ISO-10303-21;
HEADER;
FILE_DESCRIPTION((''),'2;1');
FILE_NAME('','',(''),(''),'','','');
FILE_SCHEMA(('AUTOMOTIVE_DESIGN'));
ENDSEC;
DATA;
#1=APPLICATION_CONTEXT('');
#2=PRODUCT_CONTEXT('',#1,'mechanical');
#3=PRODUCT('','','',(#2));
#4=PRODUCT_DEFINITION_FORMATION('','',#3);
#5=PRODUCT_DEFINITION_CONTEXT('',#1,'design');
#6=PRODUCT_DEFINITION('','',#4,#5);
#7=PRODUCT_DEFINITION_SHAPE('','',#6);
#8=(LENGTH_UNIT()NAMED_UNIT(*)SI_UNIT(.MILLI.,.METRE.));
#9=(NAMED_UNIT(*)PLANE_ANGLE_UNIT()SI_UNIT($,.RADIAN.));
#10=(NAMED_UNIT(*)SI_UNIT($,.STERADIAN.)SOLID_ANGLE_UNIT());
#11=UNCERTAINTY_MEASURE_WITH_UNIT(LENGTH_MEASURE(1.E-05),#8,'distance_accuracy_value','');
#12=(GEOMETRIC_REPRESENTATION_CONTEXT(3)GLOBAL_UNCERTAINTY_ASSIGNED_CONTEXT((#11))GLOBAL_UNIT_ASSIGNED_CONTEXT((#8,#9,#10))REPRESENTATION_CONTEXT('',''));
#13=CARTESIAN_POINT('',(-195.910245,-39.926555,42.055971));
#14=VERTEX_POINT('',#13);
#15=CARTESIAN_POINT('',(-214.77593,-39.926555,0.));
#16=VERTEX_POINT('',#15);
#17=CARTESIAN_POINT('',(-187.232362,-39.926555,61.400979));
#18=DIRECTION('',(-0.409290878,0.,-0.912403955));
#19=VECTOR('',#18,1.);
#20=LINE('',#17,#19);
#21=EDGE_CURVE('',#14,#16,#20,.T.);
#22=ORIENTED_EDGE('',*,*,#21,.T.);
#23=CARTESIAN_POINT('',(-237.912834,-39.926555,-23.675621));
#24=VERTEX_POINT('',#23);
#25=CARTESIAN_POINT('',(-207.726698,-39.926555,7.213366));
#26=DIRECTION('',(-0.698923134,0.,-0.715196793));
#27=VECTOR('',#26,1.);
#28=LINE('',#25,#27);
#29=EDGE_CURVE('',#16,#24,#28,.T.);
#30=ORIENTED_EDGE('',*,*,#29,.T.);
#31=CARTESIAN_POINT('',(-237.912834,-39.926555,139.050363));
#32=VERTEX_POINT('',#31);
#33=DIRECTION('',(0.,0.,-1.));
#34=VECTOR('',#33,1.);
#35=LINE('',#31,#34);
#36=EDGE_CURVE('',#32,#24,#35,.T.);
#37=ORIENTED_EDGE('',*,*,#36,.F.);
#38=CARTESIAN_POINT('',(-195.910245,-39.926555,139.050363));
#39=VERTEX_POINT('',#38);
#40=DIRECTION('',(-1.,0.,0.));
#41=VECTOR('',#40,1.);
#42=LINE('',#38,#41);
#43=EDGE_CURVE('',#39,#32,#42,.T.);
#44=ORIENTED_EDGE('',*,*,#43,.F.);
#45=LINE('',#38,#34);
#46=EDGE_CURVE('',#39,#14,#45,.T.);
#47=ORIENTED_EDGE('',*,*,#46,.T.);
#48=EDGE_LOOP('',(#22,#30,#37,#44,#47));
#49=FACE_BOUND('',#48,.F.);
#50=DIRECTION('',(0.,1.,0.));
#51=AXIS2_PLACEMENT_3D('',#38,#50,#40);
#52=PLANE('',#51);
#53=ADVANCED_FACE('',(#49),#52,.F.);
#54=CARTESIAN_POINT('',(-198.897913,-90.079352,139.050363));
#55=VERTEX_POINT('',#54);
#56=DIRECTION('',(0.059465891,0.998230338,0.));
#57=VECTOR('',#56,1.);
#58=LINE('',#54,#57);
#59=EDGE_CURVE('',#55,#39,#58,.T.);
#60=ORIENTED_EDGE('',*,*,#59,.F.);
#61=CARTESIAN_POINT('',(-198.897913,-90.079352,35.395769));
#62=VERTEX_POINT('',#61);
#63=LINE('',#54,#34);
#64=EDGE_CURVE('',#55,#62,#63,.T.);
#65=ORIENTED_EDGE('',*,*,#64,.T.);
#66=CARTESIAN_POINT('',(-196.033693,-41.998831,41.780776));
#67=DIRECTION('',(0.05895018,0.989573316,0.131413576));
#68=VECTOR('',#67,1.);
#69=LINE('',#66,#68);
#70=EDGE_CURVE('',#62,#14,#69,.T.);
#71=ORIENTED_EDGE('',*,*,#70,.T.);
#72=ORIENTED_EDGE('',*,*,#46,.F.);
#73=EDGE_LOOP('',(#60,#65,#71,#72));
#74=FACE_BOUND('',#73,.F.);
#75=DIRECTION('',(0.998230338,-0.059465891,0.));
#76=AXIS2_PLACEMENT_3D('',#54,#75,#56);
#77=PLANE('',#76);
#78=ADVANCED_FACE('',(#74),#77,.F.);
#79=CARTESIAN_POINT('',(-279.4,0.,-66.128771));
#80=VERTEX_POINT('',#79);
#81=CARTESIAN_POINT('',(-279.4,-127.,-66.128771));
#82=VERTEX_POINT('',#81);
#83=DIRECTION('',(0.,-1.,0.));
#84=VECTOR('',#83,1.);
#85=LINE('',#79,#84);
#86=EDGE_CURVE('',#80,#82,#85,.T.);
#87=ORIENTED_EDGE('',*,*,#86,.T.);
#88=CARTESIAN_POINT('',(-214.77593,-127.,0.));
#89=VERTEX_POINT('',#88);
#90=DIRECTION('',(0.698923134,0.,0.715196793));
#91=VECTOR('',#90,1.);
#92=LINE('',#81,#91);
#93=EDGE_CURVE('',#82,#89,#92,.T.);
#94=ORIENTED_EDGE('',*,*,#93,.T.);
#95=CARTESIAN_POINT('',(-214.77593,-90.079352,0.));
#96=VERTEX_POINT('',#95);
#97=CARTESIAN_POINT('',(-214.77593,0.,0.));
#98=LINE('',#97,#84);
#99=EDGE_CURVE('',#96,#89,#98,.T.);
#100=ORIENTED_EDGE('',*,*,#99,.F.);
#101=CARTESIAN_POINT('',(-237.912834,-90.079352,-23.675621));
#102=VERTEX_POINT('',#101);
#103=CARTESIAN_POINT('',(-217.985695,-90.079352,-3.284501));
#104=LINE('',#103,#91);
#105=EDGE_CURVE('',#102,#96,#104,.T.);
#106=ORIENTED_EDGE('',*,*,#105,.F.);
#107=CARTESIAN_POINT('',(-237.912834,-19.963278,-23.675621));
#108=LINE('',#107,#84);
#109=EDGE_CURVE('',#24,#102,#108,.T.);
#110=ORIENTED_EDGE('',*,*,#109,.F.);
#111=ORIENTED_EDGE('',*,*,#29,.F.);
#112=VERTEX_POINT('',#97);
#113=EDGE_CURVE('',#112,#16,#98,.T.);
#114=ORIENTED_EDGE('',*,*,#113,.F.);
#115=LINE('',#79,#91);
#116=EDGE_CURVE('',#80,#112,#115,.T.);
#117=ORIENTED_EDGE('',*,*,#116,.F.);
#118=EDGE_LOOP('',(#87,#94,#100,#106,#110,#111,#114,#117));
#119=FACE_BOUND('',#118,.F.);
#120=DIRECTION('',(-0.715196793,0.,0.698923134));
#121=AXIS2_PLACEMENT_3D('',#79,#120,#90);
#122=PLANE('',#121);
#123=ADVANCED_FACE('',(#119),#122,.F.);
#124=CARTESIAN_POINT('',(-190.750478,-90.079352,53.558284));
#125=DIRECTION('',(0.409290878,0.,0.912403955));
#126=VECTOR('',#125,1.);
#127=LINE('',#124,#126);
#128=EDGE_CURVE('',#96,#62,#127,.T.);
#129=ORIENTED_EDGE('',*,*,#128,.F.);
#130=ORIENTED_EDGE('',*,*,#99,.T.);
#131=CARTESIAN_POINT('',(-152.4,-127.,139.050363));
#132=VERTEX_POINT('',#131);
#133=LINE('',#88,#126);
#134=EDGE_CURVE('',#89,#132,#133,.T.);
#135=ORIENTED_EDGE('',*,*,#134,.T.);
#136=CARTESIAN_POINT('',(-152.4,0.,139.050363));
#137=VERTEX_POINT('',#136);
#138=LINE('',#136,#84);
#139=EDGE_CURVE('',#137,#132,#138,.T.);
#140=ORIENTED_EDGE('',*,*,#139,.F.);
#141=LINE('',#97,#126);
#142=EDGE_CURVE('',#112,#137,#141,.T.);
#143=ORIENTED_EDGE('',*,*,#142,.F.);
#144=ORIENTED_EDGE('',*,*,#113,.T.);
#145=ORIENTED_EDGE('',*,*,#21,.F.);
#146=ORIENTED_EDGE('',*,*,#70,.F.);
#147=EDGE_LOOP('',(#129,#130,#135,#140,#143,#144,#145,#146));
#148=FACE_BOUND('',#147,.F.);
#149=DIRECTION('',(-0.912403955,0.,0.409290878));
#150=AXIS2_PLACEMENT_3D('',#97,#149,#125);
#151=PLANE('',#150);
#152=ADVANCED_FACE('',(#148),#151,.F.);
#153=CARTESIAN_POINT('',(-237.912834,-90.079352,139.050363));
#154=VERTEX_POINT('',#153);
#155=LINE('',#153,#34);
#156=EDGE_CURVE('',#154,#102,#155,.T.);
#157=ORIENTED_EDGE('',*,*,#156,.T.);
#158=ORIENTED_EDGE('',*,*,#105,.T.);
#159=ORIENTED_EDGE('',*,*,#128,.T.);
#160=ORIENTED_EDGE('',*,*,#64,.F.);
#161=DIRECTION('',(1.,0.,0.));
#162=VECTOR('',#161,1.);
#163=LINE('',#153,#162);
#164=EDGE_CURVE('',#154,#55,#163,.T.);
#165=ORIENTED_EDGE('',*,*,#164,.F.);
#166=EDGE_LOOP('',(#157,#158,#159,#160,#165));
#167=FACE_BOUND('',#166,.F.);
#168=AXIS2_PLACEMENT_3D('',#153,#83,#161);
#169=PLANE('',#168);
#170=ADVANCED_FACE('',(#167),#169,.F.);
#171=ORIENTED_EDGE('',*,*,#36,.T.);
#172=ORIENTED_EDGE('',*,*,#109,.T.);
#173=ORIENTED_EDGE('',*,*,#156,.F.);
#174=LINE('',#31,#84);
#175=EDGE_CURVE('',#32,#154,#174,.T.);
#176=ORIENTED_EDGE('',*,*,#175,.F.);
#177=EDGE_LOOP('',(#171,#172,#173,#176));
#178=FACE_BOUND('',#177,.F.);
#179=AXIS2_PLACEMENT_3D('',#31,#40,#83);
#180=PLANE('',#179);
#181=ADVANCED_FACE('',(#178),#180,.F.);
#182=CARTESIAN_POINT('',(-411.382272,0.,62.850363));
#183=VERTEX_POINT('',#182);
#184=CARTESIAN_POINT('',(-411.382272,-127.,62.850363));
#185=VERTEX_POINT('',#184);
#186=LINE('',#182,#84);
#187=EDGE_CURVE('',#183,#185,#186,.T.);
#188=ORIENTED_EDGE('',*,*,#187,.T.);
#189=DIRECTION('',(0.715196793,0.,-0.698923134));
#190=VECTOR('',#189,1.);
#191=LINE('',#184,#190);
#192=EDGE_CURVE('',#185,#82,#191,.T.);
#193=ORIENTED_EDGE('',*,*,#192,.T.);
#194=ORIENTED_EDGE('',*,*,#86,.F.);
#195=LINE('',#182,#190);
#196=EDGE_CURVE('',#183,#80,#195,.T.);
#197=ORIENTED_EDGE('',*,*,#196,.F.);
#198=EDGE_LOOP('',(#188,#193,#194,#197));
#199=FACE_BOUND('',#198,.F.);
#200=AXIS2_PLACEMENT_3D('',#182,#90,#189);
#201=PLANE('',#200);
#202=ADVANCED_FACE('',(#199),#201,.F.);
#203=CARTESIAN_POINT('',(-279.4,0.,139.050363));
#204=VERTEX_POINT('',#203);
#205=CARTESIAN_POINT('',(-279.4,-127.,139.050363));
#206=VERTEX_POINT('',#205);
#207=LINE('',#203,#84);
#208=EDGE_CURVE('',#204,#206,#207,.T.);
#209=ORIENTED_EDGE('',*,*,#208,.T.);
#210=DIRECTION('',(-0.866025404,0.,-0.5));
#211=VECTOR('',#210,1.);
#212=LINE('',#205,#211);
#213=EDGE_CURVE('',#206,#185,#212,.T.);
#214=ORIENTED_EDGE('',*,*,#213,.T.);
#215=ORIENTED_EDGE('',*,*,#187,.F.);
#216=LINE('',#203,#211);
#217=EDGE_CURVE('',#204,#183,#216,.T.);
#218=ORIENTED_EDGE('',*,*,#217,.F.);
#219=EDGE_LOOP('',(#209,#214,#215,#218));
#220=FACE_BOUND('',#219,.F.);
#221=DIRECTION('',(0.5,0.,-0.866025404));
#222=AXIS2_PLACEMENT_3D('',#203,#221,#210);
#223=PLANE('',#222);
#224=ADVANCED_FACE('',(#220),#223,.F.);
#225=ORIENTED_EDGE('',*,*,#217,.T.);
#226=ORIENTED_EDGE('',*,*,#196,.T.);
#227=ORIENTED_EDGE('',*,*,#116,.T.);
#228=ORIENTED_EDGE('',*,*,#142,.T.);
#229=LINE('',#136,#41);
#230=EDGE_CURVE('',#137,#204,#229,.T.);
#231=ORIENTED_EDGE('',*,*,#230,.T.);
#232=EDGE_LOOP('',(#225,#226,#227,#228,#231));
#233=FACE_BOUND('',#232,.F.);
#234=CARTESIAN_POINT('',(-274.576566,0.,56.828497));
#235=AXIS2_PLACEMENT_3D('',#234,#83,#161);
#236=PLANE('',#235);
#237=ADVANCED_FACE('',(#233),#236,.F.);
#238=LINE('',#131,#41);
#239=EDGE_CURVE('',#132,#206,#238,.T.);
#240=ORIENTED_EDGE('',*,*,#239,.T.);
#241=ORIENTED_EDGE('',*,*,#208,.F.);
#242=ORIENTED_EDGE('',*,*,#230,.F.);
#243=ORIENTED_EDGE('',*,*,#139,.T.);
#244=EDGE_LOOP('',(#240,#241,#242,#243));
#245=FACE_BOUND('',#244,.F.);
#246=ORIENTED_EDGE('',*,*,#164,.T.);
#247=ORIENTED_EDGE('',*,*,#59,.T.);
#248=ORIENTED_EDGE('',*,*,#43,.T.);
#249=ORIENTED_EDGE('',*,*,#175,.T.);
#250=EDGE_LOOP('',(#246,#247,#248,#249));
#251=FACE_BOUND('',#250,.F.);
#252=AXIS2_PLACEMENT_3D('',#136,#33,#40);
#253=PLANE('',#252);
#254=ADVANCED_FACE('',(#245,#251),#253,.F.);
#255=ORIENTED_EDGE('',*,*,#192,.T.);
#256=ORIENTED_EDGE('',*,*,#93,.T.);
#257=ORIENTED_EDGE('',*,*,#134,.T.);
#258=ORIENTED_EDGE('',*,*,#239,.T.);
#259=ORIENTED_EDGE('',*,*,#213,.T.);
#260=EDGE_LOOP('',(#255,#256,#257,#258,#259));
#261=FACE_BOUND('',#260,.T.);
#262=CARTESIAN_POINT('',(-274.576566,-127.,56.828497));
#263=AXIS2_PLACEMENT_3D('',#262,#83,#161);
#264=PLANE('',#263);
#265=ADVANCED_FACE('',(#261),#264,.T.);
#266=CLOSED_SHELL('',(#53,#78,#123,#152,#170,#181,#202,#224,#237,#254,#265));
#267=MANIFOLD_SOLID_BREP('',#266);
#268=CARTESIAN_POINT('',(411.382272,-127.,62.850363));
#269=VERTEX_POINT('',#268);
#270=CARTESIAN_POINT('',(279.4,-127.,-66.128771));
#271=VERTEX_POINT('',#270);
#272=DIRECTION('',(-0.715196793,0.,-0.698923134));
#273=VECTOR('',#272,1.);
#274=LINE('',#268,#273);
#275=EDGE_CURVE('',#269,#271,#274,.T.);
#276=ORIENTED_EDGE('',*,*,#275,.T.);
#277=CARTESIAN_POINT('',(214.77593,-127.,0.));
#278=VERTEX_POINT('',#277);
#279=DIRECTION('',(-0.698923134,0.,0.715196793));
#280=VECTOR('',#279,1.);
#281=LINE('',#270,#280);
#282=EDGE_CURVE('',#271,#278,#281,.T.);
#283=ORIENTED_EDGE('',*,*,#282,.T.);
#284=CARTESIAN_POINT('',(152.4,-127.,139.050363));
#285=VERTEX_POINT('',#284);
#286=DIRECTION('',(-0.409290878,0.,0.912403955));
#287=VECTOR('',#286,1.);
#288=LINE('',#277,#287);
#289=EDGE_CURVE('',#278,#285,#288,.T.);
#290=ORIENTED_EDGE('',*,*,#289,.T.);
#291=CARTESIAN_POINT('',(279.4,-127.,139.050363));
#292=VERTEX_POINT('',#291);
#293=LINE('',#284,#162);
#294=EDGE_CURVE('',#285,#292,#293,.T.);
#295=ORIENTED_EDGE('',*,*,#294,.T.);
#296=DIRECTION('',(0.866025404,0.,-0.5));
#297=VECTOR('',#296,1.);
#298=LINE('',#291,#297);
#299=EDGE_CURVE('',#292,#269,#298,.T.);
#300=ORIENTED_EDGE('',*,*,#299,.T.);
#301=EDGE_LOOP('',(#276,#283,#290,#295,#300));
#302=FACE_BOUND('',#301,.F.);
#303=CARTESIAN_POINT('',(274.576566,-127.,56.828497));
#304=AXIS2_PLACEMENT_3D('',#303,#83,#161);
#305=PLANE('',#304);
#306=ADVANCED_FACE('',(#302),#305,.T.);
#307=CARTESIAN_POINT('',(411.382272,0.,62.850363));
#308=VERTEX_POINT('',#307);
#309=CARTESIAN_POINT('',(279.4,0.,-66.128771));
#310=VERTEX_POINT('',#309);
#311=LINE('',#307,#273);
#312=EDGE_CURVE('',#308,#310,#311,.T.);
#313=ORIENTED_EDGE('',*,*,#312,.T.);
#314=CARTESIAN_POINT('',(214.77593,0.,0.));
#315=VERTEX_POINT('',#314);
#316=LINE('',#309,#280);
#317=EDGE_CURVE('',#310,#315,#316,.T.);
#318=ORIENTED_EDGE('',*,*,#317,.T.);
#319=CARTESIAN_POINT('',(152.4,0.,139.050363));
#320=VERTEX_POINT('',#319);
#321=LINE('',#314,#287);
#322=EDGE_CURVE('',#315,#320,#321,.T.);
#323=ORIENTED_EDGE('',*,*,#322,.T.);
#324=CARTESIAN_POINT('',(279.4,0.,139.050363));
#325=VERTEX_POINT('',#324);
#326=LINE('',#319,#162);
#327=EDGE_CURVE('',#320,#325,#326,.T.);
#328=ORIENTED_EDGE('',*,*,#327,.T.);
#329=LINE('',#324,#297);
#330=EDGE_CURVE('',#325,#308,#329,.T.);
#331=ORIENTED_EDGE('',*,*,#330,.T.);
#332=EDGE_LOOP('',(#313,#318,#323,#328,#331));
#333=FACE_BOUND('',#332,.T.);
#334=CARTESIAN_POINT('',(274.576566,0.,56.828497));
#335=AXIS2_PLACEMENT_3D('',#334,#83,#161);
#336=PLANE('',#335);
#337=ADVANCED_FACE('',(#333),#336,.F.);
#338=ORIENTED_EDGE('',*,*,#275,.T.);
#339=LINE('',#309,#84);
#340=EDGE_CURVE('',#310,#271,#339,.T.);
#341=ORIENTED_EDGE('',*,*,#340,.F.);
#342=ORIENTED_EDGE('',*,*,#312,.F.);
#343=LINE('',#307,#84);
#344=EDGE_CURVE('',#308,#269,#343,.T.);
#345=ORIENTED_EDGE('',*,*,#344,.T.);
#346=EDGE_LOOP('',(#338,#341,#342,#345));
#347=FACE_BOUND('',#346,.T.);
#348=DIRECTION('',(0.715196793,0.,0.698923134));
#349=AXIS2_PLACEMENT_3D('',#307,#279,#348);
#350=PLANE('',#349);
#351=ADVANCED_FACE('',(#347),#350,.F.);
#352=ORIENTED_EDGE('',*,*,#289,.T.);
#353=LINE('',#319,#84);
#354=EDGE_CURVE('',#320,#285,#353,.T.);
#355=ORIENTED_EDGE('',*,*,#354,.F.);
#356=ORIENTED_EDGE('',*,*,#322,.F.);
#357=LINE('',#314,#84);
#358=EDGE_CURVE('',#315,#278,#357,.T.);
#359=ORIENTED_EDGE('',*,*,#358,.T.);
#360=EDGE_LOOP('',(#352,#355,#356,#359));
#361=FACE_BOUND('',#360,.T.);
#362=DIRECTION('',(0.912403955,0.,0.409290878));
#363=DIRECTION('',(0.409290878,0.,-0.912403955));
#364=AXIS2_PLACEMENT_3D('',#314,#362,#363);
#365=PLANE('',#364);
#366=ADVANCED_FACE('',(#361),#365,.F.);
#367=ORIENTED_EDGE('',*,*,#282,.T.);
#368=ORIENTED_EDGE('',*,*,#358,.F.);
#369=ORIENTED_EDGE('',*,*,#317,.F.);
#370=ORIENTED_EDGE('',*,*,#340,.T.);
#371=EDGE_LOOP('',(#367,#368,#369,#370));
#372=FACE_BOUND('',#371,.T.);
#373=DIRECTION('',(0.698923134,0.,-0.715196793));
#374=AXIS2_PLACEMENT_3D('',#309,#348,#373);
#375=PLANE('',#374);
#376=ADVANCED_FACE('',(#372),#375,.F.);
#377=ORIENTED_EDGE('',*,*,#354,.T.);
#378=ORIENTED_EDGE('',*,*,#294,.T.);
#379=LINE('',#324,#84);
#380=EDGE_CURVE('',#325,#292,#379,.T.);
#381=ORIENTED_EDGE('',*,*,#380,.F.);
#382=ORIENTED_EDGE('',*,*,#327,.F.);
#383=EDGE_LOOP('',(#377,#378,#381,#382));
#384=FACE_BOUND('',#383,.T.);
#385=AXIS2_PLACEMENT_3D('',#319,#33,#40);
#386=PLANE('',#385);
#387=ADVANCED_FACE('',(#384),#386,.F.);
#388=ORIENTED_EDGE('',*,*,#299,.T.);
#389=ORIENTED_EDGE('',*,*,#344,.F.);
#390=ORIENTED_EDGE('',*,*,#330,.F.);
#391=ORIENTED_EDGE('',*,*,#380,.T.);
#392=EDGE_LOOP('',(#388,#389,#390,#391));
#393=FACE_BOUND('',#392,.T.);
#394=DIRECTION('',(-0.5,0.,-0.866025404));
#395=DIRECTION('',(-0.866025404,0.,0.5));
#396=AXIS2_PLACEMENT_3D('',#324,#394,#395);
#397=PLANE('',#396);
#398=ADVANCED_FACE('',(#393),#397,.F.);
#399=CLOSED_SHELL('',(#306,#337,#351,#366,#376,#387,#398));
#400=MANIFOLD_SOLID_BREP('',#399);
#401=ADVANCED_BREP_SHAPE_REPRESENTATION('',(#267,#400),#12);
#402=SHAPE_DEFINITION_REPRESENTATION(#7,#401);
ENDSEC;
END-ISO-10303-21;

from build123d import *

# Parameters (mm, degrees)
F1_DEPTH = 127
F4_DEPTH = 205.1801337074


with BuildPart() as f1:
    # F0 (on Front) → F1 (new body)
    with BuildSketch(Plane.XZ):
        Polygon((-214.7759297475, 0), (-152.4, 139.050362776), (-279.4, 139.050362776), (-411.3822715367, 62.850362776), (-279.4, -66.1287709315), align=None)
    extrude(amount=F1_DEPTH)


with BuildPart() as f3_1:
    # F3: instance of F1
    add(f1.part.mirror(Plane.YZ))


with BuildPart() as f1_1:
    add(f1.part)

    # F2 (on face) → F4 (cut, through all)
    with BuildSketch(Plane.XY.offset(139.050362776)):
        Polygon((-198.8979130983, -90.0793522596), (-195.9102451801, -39.9265550077), (-237.9128336906, -39.9265550077), (-237.9128336906, -90.0793522596), align=None)
    extrude(amount=-F4_DEPTH, mode=Mode.SUBTRACT)


solid = Compound([f3_1.part, f1_1.part])
